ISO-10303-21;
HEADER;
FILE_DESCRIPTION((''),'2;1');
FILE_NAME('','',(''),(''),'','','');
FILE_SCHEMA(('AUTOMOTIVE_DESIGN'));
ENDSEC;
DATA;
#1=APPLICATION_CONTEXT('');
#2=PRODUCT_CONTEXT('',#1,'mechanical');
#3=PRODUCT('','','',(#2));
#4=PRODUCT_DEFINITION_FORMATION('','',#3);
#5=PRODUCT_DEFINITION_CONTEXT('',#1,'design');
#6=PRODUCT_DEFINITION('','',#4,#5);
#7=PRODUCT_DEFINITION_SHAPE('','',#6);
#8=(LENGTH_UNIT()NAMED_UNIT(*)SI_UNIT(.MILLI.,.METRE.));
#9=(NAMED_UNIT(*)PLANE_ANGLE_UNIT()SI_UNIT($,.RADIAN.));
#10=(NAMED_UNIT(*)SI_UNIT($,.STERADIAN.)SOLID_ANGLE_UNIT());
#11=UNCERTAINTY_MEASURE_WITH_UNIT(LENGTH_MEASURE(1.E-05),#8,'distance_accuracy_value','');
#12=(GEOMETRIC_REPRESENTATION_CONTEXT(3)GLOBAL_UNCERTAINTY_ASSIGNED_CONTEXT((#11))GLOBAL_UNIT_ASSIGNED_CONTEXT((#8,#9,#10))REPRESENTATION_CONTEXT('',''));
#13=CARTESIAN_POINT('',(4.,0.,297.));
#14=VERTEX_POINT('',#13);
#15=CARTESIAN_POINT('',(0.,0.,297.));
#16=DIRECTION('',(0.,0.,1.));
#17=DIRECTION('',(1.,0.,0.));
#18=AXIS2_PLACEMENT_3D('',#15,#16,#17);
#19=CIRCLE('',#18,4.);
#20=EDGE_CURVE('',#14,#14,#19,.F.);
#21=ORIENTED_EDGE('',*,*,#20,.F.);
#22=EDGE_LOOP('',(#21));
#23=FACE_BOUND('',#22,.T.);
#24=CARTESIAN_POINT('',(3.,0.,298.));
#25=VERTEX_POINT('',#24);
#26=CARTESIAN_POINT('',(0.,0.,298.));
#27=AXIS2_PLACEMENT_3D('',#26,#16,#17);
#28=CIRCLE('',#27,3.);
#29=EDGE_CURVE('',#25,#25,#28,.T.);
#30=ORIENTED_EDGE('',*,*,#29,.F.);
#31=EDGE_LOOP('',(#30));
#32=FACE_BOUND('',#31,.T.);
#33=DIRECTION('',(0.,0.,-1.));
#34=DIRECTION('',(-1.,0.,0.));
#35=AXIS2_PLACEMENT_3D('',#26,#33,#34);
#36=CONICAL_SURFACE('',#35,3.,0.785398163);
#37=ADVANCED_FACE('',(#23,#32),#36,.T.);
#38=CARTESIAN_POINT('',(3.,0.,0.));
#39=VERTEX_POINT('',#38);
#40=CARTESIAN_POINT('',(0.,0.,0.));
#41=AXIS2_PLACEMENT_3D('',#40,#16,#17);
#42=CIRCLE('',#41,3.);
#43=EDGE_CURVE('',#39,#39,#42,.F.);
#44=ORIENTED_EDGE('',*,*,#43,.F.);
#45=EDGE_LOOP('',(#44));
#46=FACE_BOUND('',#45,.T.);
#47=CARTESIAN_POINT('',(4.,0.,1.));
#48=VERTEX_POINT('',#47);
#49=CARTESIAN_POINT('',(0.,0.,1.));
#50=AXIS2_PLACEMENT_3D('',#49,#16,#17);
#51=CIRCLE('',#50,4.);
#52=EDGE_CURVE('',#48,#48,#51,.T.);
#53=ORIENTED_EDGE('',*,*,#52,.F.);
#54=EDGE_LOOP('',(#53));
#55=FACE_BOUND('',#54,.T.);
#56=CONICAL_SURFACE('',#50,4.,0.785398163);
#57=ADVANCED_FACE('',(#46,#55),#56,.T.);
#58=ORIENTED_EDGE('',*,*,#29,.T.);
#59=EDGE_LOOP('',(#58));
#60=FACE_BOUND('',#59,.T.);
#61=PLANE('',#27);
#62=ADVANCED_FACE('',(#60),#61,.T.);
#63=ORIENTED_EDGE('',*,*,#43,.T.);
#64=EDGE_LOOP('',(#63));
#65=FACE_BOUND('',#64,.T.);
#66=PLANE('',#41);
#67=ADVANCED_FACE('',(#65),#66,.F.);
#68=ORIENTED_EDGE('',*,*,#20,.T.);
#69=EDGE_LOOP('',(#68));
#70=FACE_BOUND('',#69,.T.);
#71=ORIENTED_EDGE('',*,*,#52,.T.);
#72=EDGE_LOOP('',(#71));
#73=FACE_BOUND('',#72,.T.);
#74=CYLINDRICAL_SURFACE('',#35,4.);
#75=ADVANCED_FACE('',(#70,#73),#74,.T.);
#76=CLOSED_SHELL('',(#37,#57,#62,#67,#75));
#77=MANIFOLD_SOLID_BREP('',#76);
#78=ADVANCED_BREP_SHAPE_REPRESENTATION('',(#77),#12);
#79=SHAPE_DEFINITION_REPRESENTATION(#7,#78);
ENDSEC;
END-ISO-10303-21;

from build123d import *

# Parameters (mm, degrees)
SKETCH1_R           = 4
BOSS_EXTRUDE1_DEPTH = 298
CHAMFER1_SIZE       = 1


with BuildPart() as part:
    # Sketch1 → Boss-Extrude1 (new body)
    with BuildSketch(Plane.XY):
        Circle(SKETCH1_R)
    extrude(amount=BOSS_EXTRUDE1_DEPTH)

    # Chamfer1
    chamfer1_edges = [part.edges().sort_by_distance(p)[0] for p in [
        (-4, 0, 0),
        (-4, 0, 298),
    ]]
    chamfer(chamfer1_edges, length=CHAMFER1_SIZE)


solid = part.part
